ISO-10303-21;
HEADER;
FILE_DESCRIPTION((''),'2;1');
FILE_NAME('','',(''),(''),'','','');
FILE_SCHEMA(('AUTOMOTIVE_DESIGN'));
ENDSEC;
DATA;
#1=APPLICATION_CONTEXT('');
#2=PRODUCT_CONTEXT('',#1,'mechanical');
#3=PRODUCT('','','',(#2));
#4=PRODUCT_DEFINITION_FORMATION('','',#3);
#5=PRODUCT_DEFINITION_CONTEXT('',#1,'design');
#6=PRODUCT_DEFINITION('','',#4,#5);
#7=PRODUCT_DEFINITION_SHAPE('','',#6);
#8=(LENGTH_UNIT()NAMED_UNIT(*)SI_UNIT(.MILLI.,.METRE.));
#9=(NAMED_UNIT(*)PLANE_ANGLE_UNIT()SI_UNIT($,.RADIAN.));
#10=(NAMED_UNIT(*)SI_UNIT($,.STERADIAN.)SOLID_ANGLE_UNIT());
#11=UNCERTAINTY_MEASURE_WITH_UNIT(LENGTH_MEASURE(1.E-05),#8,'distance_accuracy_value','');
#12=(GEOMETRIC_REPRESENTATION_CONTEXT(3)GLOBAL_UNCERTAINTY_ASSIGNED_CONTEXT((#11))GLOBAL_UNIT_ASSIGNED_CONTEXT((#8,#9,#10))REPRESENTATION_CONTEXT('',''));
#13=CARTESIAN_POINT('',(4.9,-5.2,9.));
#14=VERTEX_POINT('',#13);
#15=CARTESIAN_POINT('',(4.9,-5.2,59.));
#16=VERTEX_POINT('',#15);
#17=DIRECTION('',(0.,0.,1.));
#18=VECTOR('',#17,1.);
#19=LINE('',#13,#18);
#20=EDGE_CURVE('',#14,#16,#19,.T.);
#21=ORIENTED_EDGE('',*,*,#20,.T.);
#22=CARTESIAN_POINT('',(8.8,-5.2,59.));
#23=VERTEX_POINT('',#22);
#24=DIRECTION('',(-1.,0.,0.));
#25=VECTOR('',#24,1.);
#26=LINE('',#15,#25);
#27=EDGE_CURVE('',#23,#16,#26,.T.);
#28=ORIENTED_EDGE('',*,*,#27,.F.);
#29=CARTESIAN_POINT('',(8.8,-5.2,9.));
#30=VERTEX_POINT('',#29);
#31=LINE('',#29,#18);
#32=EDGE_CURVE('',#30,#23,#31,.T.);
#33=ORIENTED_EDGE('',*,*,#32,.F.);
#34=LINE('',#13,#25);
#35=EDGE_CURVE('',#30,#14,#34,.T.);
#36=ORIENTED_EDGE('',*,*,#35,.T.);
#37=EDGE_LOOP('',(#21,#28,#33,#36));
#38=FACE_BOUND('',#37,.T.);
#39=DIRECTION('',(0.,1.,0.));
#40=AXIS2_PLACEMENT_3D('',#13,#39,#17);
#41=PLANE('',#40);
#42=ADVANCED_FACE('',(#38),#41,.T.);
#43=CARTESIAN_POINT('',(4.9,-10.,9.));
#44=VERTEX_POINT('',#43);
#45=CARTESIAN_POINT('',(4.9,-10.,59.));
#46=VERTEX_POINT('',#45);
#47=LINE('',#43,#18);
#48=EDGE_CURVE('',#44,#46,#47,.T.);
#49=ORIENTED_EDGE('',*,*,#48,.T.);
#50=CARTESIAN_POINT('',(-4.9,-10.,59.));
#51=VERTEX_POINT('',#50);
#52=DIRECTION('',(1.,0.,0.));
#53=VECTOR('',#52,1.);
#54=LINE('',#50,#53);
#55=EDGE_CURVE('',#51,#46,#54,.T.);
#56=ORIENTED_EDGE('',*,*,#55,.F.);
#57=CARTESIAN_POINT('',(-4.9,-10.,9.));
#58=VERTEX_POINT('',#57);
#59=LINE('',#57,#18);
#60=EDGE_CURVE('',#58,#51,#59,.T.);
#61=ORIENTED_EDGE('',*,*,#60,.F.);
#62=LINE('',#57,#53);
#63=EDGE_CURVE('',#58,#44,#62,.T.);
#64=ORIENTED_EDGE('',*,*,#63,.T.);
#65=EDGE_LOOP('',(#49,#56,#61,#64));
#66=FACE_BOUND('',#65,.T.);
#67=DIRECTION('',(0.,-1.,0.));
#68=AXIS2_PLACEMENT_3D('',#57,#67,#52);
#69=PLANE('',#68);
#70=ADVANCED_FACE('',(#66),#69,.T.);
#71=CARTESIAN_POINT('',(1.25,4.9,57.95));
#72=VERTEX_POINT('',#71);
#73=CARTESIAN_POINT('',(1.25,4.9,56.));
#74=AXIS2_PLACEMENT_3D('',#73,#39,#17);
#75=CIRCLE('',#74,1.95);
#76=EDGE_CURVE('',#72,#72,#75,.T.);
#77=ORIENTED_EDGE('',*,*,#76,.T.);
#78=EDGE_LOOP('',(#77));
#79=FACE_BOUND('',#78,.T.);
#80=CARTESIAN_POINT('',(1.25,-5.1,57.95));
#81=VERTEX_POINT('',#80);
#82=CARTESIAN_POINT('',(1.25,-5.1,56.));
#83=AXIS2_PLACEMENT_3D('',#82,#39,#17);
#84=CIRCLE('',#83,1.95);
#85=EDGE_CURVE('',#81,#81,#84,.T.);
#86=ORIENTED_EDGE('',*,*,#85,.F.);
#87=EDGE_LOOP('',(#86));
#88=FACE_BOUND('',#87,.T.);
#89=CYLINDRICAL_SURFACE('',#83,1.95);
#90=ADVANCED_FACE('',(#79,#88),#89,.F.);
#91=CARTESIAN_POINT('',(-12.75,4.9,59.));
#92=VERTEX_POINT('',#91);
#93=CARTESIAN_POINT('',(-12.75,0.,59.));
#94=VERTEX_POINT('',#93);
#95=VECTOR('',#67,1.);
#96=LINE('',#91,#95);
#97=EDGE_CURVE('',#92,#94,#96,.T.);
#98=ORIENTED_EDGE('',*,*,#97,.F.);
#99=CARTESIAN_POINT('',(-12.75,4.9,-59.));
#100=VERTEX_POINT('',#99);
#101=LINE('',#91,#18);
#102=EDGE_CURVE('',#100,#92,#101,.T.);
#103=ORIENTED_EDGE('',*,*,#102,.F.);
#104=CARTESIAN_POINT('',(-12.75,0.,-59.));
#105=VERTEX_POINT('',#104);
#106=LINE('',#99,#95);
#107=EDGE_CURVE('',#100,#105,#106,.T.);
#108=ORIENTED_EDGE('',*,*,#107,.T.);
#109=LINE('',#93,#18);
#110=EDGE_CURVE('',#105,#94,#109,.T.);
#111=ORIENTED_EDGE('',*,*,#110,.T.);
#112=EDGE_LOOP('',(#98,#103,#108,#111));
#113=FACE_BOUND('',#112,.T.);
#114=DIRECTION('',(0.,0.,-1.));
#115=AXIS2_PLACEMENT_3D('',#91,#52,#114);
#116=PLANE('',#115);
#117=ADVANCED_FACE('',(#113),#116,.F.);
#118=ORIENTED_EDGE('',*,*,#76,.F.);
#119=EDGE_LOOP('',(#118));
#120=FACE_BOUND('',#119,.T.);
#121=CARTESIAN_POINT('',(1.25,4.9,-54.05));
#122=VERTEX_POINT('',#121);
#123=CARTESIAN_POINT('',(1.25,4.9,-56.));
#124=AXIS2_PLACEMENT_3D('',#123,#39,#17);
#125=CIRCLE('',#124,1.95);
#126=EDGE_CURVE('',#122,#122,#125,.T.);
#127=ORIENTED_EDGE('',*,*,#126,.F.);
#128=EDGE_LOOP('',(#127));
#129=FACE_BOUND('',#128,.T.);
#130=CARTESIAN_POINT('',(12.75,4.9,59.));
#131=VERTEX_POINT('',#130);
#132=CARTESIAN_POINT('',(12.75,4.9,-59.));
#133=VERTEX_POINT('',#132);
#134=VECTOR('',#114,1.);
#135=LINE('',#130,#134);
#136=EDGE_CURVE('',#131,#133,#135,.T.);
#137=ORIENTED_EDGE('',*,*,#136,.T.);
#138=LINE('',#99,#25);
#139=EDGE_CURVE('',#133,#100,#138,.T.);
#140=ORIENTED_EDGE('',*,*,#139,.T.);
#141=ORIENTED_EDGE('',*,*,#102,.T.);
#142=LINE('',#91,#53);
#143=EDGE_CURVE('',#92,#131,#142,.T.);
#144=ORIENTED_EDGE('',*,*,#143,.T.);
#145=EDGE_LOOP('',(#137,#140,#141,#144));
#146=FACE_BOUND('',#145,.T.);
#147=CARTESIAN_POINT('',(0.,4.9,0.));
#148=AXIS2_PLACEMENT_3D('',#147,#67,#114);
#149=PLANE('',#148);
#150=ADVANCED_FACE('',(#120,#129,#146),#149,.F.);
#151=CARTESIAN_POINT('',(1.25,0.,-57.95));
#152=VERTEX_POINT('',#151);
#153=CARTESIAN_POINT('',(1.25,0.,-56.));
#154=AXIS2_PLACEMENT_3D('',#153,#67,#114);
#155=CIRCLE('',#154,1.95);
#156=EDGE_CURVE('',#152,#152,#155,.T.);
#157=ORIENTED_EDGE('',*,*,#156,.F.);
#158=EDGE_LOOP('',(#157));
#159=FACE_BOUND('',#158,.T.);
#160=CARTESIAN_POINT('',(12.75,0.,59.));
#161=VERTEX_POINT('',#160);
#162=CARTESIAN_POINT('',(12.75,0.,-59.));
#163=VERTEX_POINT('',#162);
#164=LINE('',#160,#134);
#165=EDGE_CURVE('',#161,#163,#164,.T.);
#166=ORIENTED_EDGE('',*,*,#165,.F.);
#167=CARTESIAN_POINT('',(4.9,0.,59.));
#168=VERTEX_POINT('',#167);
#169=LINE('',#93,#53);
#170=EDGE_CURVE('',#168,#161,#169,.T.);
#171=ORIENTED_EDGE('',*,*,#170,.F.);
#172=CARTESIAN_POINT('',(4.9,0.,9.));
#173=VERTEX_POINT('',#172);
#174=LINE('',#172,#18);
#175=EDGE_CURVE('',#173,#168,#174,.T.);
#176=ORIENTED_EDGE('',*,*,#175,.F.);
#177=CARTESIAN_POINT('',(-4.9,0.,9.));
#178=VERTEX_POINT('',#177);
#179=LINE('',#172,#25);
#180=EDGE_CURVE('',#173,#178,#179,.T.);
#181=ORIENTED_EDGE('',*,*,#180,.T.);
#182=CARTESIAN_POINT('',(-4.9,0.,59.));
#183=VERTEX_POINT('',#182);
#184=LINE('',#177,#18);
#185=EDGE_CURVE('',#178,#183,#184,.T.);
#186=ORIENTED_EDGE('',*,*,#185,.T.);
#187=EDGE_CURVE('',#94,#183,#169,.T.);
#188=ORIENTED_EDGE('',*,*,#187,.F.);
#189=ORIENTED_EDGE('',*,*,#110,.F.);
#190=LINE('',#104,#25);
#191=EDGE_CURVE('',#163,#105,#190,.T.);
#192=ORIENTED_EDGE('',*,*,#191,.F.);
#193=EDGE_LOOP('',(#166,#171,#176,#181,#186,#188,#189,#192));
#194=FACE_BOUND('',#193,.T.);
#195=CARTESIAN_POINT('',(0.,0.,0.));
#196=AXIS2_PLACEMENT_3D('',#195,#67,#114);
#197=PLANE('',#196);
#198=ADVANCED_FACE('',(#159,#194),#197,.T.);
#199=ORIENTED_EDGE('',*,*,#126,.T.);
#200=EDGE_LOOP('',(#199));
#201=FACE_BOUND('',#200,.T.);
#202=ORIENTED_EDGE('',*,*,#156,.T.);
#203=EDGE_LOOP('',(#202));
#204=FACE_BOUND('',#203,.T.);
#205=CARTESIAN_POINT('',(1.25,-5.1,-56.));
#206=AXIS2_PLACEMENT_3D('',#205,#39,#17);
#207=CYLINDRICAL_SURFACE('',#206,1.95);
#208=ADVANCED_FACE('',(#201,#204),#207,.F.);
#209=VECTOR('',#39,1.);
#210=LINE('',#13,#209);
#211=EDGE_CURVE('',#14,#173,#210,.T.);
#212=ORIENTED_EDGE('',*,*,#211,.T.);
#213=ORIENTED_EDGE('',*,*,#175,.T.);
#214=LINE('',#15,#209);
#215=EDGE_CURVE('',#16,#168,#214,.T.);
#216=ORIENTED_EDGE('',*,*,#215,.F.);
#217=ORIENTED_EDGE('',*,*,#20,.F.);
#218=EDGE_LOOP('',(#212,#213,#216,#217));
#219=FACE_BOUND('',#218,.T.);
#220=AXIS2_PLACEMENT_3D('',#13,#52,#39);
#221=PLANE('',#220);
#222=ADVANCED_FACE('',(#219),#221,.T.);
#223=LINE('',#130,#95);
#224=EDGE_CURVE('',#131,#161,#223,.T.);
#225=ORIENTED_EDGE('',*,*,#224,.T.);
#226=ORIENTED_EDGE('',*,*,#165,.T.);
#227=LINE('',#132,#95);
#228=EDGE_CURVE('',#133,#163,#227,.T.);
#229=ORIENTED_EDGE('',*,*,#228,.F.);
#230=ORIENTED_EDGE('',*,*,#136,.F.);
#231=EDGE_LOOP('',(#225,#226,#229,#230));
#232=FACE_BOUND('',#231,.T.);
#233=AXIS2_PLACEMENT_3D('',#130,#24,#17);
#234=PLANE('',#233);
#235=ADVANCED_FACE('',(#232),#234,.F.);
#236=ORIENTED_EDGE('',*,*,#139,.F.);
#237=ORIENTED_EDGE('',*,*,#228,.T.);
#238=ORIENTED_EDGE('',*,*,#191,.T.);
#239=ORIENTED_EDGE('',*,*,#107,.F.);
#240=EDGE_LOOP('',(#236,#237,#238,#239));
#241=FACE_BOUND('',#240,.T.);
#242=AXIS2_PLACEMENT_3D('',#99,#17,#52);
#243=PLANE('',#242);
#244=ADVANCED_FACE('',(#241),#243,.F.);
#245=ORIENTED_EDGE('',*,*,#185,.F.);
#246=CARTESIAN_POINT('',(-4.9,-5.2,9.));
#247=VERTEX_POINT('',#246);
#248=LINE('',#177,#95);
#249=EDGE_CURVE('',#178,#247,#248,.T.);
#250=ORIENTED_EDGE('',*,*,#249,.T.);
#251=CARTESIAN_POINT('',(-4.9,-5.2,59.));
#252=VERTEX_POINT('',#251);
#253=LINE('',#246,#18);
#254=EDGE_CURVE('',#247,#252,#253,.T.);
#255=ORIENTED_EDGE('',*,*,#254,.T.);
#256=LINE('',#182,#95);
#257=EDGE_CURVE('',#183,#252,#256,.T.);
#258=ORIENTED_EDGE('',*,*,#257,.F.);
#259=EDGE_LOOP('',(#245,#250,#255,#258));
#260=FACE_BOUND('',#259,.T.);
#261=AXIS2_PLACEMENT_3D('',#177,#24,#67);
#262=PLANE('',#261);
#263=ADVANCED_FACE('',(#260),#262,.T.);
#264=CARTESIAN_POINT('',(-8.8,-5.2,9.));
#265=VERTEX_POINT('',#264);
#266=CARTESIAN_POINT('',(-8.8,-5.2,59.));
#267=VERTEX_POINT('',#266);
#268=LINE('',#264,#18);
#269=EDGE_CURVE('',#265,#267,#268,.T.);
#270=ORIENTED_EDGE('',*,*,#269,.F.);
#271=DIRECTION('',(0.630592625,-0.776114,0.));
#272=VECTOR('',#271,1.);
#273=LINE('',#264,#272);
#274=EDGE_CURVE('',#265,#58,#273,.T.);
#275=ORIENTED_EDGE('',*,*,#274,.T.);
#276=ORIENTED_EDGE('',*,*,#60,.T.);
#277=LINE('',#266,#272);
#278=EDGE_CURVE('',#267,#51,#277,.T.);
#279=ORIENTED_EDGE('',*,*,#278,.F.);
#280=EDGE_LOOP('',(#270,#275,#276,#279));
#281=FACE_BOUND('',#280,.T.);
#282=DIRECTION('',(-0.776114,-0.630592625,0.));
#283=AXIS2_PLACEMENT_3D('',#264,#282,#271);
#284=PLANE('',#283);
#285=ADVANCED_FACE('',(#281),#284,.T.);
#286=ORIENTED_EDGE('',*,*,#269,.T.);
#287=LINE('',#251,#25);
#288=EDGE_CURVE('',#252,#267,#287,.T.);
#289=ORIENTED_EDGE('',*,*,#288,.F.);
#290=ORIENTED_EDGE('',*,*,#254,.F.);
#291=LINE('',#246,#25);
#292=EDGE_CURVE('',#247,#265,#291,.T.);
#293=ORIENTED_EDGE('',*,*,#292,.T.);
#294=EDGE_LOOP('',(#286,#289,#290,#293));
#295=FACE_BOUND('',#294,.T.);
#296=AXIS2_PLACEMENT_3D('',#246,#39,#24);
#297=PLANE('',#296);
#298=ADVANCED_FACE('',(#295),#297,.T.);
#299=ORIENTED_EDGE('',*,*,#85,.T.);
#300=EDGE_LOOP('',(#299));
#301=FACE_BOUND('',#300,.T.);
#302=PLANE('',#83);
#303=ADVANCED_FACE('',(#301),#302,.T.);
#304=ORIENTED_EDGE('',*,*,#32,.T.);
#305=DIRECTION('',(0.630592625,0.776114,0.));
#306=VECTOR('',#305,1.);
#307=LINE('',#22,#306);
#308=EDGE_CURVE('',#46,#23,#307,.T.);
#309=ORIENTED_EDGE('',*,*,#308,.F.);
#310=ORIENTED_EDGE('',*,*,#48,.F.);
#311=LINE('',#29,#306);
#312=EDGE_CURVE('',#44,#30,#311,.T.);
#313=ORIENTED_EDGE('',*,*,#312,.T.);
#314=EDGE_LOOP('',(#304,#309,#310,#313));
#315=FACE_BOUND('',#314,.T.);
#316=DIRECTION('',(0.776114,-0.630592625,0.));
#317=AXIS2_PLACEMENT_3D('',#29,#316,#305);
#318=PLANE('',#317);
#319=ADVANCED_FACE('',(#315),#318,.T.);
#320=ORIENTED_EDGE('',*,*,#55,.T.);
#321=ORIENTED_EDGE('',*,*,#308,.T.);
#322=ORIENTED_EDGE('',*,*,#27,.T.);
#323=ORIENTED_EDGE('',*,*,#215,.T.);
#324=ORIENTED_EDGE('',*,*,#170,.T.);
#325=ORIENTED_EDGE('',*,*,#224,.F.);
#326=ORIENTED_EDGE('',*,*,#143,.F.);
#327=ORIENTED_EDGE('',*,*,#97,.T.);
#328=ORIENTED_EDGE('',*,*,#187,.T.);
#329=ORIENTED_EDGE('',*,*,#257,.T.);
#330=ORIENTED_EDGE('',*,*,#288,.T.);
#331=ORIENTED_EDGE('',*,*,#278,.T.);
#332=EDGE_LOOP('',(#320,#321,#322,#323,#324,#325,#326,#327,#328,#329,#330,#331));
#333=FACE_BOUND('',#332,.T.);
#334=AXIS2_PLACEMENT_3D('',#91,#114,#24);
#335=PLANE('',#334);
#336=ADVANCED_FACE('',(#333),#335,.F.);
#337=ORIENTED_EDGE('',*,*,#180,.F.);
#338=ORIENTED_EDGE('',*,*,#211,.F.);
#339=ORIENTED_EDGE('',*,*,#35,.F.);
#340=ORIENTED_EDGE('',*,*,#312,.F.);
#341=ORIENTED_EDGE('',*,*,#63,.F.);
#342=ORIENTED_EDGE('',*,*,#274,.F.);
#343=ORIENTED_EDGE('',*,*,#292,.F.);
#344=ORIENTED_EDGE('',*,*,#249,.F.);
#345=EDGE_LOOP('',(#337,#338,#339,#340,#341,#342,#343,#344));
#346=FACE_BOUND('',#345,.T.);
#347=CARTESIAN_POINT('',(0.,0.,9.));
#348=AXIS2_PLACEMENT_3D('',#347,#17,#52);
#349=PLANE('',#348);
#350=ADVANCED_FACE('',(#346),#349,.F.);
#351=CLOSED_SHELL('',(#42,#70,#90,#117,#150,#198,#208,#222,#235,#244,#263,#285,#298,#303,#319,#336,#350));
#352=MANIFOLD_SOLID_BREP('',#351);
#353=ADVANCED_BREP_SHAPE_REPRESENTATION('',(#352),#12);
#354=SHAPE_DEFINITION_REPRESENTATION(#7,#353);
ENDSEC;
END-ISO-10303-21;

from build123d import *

# Parameters (mm, degrees)
SKETCH1_W           = 25.5
SKETCH1_H           = 118
BOSS_EXTRUDE1_DEPTH = 4.9
BOSS_EXTRUDE5_DEPTH = 50
SKETCH2_R           = 1.95
CUT_EXTRUDE1_DEPTH  = 10


with BuildPart() as part:
    # Sketch1 → Boss-Extrude1 (new body)
    with BuildSketch(Plane(origin=(0, 0, 0), x_dir=(1, 0, 0), z_dir=(0, 1, 0))):
        Rectangle(SKETCH1_W, SKETCH1_H)
    extrude(amount=BOSS_EXTRUDE1_DEPTH)

    # Sketch5 → Boss-Extrude5 (add)
    with BuildSketch(Plane.XY.offset(59)):
        Polygon((-4.9, 0), (-4.9, -5.2), (-8.8, -5.2), (-4.9, -10), (4.9, -10), (8.8, -5.2), (4.9, -5.2), (4.9, 0), align=None)
    extrude(amount=-BOSS_EXTRUDE5_DEPTH)

    # Sketch2 → Cut-Extrude1 (cut)
    with BuildSketch(Plane(origin=(0, 4.9, 0), x_dir=(1, 0, 0), z_dir=(0, 1, 0))):
        with Locations((1.25, 56)):
            Circle(SKETCH2_R)
        with Locations((1.25, -56)):
            Circle(SKETCH2_R)
    extrude(amount=-CUT_EXTRUDE1_DEPTH, mode=Mode.SUBTRACT)


solid = part.part
